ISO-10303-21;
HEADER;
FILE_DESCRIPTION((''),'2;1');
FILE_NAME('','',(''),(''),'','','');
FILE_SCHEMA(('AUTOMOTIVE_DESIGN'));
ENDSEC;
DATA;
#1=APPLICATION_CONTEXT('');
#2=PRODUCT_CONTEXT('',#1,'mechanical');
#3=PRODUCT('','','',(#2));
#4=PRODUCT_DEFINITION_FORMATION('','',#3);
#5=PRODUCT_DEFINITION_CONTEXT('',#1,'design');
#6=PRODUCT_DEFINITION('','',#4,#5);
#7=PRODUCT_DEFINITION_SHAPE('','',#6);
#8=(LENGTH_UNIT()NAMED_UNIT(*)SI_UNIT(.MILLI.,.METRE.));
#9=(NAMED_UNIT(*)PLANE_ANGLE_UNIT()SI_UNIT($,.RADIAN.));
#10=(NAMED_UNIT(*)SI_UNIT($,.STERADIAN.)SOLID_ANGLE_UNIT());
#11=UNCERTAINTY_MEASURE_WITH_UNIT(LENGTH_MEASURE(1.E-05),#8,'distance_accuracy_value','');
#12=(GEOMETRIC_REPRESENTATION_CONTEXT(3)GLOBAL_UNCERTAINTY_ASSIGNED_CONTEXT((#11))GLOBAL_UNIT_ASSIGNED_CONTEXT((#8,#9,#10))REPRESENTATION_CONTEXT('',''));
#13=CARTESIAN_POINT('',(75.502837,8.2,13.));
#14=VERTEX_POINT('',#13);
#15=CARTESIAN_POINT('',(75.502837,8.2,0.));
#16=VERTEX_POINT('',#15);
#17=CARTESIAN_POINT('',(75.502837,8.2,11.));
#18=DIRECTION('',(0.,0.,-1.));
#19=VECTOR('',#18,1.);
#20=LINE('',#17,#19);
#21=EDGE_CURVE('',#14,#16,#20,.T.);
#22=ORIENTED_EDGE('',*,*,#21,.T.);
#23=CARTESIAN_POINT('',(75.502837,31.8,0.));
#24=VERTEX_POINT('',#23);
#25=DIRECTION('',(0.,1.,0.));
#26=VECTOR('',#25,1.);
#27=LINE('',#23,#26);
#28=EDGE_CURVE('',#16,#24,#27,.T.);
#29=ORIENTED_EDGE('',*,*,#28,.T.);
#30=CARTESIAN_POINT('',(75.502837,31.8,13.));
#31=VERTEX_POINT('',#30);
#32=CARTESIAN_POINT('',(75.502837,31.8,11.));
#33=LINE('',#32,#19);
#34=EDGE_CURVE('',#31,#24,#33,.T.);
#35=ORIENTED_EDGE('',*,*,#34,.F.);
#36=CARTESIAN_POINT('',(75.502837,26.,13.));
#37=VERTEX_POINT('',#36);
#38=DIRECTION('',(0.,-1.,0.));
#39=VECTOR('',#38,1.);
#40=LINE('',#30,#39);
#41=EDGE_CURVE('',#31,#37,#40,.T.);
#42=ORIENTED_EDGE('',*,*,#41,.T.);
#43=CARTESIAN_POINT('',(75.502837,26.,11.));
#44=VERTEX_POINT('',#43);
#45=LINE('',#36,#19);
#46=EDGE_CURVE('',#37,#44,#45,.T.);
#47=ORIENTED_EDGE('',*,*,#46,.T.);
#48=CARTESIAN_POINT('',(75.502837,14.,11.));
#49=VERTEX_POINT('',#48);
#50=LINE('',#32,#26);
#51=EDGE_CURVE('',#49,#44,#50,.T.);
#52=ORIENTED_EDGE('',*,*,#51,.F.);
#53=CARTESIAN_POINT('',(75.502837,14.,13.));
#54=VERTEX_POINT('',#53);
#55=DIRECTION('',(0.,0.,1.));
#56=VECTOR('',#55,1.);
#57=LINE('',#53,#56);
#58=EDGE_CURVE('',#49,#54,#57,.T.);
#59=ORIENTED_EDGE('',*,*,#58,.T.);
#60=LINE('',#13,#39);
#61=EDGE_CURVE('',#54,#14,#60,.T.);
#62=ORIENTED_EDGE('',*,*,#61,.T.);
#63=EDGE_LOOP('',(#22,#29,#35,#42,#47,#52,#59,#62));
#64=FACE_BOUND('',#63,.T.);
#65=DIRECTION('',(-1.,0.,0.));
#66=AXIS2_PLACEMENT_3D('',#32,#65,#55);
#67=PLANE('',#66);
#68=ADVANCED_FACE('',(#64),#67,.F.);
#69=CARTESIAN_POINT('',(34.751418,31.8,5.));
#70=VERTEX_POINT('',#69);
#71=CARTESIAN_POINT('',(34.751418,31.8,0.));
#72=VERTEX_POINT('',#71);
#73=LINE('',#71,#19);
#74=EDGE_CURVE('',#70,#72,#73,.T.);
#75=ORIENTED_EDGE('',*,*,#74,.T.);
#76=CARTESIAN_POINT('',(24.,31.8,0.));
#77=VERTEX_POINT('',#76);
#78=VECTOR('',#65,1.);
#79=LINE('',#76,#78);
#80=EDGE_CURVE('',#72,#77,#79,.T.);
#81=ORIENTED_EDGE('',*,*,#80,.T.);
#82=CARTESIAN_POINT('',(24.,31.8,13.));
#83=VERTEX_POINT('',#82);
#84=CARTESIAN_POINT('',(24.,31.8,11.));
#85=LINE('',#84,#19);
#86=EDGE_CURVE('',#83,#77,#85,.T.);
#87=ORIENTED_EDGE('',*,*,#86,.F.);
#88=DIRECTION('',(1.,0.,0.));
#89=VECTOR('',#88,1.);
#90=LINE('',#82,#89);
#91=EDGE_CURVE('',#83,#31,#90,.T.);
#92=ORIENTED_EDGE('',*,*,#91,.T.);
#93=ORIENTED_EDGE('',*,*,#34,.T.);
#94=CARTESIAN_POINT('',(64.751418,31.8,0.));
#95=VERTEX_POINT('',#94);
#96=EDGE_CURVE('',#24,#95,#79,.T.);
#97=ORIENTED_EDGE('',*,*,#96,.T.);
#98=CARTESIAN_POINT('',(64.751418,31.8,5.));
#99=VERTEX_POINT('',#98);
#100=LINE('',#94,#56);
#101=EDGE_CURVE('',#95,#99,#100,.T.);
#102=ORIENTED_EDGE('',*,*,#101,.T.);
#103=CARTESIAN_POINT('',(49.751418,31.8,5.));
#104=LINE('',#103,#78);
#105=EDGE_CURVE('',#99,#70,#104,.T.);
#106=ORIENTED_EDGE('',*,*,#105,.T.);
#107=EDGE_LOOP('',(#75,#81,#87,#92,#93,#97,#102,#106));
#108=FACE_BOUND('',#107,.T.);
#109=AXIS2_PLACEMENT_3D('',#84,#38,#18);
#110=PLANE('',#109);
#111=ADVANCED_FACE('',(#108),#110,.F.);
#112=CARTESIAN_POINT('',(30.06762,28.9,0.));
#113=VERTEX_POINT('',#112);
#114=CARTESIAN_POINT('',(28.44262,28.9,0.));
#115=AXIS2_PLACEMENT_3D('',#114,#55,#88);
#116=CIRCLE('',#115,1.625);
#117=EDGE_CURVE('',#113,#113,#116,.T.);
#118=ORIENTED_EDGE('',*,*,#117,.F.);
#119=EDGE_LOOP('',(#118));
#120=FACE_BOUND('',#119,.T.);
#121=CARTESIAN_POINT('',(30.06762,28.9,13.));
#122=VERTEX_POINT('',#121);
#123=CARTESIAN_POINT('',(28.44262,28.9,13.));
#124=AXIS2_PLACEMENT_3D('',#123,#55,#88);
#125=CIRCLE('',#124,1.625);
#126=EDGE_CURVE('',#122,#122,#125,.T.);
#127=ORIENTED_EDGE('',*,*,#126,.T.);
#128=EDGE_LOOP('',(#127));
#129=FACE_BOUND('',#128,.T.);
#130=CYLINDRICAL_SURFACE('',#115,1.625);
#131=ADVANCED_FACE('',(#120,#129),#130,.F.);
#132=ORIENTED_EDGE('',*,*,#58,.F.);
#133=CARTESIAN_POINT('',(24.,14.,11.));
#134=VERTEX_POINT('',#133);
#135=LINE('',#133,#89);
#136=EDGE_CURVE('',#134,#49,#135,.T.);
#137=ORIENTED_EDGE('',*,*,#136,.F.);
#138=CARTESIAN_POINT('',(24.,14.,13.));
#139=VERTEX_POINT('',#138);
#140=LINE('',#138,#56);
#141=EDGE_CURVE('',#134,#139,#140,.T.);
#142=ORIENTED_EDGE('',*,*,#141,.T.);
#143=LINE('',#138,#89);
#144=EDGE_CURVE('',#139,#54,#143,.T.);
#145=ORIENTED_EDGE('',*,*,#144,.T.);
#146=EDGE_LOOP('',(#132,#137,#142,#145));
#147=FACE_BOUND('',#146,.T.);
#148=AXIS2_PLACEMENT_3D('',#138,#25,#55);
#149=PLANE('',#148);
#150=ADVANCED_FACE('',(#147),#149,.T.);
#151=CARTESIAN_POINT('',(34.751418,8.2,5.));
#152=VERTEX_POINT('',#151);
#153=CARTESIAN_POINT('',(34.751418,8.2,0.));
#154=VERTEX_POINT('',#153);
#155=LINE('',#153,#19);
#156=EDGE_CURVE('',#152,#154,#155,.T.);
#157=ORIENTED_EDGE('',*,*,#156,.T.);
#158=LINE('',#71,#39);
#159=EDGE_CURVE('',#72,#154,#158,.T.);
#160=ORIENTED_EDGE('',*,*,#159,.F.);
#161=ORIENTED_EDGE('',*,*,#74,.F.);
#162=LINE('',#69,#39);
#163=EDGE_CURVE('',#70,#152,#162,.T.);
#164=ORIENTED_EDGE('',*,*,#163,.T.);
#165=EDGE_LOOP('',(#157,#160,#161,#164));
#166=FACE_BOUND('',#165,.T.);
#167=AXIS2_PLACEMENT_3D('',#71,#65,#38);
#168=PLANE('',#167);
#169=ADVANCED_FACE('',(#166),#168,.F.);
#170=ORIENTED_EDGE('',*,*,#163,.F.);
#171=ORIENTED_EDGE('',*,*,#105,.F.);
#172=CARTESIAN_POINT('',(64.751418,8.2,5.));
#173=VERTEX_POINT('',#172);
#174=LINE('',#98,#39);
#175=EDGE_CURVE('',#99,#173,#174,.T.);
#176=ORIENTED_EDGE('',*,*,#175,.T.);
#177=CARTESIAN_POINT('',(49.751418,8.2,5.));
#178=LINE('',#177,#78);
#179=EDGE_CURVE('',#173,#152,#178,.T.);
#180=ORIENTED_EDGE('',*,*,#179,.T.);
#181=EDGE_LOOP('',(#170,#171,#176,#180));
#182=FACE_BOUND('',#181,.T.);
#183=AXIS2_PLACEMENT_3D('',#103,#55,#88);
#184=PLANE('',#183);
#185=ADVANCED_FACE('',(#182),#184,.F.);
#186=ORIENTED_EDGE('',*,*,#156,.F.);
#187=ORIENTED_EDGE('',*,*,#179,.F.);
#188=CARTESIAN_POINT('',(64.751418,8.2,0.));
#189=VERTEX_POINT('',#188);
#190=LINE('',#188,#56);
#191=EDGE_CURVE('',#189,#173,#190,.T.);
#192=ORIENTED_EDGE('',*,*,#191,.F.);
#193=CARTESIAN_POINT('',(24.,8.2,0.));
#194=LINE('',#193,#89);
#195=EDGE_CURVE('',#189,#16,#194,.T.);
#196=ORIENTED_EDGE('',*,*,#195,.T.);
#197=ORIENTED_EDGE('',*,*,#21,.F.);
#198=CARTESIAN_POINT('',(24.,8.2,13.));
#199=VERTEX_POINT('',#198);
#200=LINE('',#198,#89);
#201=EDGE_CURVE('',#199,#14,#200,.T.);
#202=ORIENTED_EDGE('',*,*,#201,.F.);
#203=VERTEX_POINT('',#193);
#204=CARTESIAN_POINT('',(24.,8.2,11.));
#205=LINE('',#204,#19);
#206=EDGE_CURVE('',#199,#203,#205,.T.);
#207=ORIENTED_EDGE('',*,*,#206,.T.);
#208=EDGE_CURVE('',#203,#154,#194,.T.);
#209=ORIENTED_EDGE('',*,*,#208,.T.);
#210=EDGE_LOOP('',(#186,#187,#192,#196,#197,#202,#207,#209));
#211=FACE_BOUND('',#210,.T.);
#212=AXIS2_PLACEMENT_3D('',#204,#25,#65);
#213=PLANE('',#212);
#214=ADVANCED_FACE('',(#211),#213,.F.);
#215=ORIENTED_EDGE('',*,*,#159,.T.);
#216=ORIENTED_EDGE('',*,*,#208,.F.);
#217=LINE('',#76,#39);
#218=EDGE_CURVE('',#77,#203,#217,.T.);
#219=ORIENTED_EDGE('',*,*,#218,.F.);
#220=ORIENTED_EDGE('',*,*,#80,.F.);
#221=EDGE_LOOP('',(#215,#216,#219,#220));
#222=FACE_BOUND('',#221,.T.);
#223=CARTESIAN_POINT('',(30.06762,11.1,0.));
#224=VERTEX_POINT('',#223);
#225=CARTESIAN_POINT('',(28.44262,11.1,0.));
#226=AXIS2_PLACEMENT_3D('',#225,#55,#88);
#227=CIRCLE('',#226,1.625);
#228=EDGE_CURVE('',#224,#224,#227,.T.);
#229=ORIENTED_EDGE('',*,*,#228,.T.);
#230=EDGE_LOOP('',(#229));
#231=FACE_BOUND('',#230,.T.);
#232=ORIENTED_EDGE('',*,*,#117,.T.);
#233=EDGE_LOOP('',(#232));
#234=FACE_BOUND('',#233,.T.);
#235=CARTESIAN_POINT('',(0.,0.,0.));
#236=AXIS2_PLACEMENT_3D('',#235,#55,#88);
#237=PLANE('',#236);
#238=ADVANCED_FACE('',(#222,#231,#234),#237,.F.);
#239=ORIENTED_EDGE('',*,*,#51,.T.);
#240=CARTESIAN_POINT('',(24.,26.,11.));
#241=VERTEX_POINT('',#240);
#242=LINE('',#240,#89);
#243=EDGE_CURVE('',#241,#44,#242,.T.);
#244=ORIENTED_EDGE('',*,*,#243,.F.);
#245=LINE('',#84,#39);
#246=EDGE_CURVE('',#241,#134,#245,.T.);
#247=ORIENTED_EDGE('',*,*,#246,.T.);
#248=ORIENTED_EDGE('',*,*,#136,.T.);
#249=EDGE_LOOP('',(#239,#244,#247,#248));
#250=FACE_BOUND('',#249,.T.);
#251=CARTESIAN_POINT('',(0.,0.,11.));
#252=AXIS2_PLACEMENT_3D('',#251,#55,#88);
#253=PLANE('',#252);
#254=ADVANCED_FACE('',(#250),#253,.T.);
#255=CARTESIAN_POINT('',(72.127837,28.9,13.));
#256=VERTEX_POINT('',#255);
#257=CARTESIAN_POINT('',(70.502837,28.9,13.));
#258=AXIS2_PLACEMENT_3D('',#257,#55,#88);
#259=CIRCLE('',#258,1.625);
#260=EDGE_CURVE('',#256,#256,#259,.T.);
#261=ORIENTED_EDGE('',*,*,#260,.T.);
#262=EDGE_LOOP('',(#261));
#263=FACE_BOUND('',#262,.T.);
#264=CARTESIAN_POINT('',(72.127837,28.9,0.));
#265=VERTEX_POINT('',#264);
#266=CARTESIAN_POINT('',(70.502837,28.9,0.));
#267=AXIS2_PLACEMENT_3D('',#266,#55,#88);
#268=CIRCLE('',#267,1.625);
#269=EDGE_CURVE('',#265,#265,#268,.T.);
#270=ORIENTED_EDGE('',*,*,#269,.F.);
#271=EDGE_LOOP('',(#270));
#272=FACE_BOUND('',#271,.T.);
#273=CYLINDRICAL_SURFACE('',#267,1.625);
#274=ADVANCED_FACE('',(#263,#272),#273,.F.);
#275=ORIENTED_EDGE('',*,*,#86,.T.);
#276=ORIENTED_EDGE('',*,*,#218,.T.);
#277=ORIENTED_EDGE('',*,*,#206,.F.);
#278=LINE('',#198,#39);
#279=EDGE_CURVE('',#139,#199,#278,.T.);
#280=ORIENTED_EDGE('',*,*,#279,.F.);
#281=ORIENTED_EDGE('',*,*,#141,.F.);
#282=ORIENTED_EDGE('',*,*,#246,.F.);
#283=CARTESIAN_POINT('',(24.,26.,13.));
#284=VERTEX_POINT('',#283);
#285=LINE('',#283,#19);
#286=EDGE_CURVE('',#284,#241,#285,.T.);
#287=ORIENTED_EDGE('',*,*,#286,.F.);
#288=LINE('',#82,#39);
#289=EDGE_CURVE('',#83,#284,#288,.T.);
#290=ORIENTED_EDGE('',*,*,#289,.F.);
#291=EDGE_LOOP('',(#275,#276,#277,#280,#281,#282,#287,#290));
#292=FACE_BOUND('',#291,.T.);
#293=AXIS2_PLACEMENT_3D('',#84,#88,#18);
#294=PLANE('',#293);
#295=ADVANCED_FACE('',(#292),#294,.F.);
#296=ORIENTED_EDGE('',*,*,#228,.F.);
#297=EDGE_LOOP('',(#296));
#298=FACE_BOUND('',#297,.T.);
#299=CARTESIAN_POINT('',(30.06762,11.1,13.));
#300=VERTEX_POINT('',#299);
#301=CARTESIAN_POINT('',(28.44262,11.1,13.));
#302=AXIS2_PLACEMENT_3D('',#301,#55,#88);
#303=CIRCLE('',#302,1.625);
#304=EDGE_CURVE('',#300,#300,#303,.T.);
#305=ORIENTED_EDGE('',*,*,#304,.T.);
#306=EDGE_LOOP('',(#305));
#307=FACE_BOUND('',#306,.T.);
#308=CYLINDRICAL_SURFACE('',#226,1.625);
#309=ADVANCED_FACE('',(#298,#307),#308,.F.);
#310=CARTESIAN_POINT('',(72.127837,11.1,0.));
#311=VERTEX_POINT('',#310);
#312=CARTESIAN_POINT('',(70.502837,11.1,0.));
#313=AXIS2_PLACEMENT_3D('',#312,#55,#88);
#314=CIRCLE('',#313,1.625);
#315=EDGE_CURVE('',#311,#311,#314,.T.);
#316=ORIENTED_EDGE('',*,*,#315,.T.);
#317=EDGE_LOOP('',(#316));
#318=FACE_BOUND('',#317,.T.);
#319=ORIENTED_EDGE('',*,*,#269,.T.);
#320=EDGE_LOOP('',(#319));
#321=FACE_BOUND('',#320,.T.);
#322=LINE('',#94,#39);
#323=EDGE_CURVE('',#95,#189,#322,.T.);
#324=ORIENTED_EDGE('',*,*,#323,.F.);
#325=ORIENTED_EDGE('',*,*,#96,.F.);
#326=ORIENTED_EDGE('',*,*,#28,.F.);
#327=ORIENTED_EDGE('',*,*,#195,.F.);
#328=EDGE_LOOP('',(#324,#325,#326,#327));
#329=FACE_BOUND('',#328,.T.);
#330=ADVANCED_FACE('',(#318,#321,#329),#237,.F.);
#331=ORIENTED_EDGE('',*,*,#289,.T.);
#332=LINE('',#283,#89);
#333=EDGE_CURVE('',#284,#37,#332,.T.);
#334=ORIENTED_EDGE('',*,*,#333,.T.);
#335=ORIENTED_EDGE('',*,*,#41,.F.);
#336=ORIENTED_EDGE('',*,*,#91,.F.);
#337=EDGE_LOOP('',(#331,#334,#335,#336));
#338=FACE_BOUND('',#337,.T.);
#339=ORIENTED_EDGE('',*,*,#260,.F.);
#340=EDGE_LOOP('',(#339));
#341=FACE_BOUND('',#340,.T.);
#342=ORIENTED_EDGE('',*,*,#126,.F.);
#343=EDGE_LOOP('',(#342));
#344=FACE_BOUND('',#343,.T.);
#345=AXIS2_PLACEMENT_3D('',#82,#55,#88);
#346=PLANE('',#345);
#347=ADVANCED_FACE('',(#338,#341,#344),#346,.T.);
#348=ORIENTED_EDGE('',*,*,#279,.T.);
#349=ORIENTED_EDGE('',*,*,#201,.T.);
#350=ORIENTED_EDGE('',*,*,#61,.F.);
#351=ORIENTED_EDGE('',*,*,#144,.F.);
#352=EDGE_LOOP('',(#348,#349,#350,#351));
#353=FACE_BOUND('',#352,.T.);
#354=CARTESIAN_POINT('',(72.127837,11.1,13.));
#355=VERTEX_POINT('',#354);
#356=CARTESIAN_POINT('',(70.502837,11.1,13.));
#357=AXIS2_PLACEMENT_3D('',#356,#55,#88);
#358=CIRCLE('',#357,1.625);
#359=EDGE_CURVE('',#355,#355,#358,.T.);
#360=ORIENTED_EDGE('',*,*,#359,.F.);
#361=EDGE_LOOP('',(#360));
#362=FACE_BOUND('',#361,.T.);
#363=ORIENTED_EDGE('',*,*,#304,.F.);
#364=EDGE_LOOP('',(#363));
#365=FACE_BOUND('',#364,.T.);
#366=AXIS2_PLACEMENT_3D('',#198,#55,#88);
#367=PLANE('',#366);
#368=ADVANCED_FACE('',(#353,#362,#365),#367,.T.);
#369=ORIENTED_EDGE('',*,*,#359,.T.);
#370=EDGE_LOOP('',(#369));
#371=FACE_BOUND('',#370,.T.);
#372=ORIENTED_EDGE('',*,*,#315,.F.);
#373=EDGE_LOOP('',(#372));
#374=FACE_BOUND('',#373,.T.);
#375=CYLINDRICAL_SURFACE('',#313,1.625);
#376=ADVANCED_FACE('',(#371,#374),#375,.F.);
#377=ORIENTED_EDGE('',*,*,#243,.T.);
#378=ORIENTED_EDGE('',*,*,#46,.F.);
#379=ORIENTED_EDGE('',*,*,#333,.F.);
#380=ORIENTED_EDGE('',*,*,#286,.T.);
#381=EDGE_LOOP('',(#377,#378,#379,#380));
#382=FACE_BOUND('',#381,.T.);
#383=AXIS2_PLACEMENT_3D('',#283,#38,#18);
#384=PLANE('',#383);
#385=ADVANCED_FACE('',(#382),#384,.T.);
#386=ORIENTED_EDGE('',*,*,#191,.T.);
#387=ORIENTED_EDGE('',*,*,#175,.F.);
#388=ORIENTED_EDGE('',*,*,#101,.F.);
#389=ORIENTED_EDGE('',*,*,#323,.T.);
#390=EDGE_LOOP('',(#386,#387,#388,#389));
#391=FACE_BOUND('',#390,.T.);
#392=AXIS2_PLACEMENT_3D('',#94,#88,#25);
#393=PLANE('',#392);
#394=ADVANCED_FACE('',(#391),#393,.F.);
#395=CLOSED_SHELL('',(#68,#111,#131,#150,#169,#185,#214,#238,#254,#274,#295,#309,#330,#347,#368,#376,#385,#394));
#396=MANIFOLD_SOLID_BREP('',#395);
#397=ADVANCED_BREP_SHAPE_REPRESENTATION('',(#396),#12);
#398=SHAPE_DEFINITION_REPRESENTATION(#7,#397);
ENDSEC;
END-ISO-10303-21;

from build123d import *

# Parameters (mm, degrees)
CROQUIS2_W              = 51.502836605
CROQUIS2_H              = 23.6
SALIENTE_EXTRUIR1_DEPTH = 11
CROQUIS4_W              = 2
CROQUIS4_H              = 5.8
SALIENTE_EXTRUIR2_DEPTH = 51.502837
CORTAR_EXTRUIR1_START   = -23.6
CORTAR_EXTRUIR1_DEPTH   = 23.6
CORTAR_EXTRUIR2_START   = -13
CROQUIS6_R              = 1.625
CORTAR_EXTRUIR2_DEPTH   = 13


with BuildPart() as part:
    # Croquis2 → Saliente-Extruir1 (new body)
    with BuildSketch(Plane.XY):
        with Locations((49.751418302, 20)):
            Rectangle(CROQUIS2_W, CROQUIS2_H)
    extrude(amount=SALIENTE_EXTRUIR1_DEPTH)

    # Croquis4 → Saliente-Extruir2 (add)
    with BuildSketch(Plane(origin=(75.502836605, 0, 0), x_dir=(0, 0, -1), z_dir=(1, 0, 0))):
        with Locations((-12, 11.1)):
            Rectangle(CROQUIS4_W, CROQUIS4_H)
        with Locations((-12, 28.9)):
            Rectangle(CROQUIS4_W, CROQUIS4_H)
    extrude(amount=-SALIENTE_EXTRUIR2_DEPTH)

    # Croquis5 → Cortar-Extruir1 (cut)
    with BuildSketch(Plane.XZ.offset(-8.2).offset(CORTAR_EXTRUIR1_START)):
        Polygon((49.751418302, 0), (34.751418302, 0), (34.751418302, 5), (49.751418302, 5), (64.751418302, 5), (64.751418302, 0), align=None)
    extrude(amount=CORTAR_EXTRUIR1_DEPTH, mode=Mode.SUBTRACT)

    # Croquis6 → Cortar-Extruir2 (cut)
    with BuildSketch(Plane.XY.offset(13).offset(CORTAR_EXTRUIR2_START)):
        with Locations((28.442619987, 11.1)):
            Circle(CROQUIS6_R)
        with Locations((28.442619987, 28.9)):
            Circle(CROQUIS6_R)
        with Locations((70.502836605, 11.1)):
            Circle(CROQUIS6_R)
        with Locations((70.502836605, 28.9)):
            Circle(CROQUIS6_R)
    extrude(amount=CORTAR_EXTRUIR2_DEPTH, mode=Mode.SUBTRACT)


solid = part.part
